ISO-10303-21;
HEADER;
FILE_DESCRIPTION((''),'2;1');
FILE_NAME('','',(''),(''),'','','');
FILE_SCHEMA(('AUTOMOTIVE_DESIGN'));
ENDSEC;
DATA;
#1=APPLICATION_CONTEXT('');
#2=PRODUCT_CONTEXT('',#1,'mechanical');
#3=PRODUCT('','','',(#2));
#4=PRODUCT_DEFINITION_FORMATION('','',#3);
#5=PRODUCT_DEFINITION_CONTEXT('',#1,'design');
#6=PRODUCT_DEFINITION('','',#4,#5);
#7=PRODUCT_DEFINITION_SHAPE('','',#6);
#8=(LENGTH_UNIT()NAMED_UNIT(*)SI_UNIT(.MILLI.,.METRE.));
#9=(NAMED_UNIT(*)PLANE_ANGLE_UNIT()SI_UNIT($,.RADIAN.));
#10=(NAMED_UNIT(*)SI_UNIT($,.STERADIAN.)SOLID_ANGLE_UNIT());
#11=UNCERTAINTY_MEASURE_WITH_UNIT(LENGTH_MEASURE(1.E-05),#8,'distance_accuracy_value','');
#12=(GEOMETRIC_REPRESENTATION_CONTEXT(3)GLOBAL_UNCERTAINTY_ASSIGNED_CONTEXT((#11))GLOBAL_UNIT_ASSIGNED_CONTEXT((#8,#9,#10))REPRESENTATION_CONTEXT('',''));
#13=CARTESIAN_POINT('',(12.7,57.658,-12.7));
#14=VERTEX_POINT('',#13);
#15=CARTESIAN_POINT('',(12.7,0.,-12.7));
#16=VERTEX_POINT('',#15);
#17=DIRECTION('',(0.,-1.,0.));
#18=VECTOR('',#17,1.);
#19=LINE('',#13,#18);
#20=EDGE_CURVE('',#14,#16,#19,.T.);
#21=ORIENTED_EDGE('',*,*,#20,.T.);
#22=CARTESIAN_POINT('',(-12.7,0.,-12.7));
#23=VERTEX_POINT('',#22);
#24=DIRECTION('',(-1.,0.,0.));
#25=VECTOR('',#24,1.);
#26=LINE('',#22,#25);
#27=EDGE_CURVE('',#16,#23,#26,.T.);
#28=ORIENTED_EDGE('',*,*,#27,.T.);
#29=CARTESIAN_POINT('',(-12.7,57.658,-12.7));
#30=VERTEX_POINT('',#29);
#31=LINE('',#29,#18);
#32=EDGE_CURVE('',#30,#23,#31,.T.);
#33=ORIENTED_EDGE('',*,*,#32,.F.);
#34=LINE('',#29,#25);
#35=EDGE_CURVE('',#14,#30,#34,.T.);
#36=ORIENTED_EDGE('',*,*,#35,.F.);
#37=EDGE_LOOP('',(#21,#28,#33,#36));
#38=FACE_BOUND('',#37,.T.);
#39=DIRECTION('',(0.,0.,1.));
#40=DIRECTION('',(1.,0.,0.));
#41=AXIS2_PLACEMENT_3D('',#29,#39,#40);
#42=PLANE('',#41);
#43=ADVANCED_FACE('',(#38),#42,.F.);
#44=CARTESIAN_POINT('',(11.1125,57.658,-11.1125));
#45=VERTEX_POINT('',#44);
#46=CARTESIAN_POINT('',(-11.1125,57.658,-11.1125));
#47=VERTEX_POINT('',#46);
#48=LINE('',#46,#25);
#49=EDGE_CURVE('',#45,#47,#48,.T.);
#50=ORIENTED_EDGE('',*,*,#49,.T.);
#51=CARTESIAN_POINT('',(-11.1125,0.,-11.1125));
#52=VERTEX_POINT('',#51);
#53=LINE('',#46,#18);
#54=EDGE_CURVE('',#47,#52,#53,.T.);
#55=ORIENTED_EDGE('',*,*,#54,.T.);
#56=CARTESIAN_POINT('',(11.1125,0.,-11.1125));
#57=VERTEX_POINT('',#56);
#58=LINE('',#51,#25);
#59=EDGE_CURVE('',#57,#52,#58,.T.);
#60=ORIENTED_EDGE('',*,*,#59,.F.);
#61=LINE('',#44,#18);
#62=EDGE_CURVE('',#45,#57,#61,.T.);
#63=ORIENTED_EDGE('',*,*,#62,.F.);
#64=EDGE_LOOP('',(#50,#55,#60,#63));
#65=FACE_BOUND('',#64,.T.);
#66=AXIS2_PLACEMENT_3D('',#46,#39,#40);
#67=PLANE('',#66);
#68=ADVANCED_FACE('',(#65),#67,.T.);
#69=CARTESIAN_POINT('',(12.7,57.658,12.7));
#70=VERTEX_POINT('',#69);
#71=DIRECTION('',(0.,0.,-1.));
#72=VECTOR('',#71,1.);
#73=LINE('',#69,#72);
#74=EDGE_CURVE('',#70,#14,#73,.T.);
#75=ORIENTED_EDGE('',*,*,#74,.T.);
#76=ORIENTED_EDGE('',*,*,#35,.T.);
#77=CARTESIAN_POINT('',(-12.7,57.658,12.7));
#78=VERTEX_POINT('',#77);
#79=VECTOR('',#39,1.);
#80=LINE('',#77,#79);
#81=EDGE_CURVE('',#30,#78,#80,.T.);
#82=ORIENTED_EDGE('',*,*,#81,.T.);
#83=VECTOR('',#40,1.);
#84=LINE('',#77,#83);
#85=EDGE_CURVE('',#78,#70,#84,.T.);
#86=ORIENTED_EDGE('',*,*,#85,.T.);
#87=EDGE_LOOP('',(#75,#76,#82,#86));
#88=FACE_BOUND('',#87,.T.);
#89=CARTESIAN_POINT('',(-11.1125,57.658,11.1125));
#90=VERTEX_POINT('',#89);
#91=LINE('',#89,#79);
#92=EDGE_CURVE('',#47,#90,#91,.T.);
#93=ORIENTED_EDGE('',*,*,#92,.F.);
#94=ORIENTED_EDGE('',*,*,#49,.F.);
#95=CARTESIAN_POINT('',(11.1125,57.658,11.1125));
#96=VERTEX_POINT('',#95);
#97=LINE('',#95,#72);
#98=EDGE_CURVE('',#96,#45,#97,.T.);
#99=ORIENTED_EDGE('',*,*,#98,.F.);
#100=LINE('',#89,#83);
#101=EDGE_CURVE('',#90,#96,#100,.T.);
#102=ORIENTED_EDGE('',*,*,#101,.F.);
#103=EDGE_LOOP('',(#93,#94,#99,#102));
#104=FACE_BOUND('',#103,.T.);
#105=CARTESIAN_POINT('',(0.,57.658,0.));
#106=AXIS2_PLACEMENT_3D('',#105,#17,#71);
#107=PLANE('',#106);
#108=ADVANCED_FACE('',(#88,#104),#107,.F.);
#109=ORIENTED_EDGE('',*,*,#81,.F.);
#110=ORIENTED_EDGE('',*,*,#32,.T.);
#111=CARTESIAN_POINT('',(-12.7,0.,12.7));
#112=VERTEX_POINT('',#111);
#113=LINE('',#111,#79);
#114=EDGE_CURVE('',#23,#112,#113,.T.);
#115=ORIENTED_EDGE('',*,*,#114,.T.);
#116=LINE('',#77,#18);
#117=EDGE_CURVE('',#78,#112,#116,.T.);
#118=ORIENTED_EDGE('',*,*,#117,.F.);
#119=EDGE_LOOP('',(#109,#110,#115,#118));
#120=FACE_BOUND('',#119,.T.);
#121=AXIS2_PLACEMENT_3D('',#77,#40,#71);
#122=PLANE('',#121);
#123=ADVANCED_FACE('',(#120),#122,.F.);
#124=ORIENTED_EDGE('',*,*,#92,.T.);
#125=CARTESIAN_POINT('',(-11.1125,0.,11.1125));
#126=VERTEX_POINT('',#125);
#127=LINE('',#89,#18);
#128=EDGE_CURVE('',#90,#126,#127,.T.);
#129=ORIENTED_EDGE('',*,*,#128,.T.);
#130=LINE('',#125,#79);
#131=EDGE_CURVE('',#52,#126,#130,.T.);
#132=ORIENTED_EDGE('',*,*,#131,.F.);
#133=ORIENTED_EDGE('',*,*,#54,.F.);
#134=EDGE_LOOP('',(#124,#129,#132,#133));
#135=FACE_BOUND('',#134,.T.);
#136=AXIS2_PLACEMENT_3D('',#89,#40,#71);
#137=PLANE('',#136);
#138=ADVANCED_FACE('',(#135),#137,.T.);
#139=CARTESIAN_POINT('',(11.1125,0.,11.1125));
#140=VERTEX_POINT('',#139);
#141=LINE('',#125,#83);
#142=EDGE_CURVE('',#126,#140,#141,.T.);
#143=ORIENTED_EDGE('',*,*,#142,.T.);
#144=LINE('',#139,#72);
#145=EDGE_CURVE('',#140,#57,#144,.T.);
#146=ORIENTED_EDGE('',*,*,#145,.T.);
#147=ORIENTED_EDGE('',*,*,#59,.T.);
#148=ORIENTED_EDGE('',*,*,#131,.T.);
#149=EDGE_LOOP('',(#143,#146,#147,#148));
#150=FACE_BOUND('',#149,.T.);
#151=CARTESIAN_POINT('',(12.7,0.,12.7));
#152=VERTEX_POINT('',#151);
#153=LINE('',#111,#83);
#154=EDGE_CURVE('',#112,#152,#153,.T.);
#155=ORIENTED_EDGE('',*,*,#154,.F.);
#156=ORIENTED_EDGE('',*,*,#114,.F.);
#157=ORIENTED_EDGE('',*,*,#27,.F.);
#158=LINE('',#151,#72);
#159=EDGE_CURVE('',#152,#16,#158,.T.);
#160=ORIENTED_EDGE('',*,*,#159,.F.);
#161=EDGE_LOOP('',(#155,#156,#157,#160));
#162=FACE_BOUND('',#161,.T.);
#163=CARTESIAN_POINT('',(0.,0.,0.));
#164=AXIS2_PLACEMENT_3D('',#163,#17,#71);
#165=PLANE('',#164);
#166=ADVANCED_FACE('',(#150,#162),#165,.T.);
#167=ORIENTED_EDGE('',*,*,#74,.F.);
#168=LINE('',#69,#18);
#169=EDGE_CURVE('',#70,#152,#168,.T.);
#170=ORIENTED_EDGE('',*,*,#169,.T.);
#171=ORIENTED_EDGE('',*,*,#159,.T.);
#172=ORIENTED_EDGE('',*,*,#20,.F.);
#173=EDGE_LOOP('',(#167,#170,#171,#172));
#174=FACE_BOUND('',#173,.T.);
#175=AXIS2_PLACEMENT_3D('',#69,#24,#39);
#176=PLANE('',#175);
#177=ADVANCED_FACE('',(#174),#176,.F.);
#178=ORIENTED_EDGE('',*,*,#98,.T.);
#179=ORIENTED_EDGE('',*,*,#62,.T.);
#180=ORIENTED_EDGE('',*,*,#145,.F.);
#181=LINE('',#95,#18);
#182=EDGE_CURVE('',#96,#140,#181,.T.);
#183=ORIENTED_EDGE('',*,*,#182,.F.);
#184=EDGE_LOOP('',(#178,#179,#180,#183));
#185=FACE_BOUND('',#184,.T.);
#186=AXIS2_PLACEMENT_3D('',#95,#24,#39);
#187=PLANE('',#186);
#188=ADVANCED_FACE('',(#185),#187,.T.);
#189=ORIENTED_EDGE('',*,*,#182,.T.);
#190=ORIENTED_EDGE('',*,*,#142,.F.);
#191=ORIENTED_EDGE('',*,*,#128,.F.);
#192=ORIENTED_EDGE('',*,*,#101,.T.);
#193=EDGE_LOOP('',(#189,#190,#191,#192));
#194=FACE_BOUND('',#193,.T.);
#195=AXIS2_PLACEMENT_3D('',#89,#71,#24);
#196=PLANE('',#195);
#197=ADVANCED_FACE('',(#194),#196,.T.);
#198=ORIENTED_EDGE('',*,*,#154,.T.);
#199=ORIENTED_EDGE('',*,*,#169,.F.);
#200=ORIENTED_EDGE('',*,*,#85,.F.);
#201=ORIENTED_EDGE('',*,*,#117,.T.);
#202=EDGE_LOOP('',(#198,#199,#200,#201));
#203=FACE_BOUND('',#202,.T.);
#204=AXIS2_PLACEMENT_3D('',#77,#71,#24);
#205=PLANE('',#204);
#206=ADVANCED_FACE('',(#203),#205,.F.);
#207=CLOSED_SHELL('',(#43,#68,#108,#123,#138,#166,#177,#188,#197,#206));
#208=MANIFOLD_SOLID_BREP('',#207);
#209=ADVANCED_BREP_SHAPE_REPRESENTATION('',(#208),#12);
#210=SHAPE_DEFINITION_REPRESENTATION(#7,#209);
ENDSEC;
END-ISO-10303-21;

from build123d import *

# Parameters (mm, degrees)
SKETCH1_W           = 25.4
SKETCH1_H           = 25.4
SKETCH1_W_2         = 22.225
SKETCH1_H_2         = 22.225
BOSS_EXTRUDE1_DEPTH = 57.658


with BuildPart() as part:
    # Sketch1 → Boss-Extrude1 (new body)
    with BuildSketch(Plane(origin=(0, 0, 0), x_dir=(1, 0, 0), z_dir=(0, 1, 0))):
        Rectangle(SKETCH1_W, SKETCH1_H)
        Rectangle(SKETCH1_W_2, SKETCH1_H_2, mode=Mode.SUBTRACT)
    extrude(amount=BOSS_EXTRUDE1_DEPTH)


solid = part.part
